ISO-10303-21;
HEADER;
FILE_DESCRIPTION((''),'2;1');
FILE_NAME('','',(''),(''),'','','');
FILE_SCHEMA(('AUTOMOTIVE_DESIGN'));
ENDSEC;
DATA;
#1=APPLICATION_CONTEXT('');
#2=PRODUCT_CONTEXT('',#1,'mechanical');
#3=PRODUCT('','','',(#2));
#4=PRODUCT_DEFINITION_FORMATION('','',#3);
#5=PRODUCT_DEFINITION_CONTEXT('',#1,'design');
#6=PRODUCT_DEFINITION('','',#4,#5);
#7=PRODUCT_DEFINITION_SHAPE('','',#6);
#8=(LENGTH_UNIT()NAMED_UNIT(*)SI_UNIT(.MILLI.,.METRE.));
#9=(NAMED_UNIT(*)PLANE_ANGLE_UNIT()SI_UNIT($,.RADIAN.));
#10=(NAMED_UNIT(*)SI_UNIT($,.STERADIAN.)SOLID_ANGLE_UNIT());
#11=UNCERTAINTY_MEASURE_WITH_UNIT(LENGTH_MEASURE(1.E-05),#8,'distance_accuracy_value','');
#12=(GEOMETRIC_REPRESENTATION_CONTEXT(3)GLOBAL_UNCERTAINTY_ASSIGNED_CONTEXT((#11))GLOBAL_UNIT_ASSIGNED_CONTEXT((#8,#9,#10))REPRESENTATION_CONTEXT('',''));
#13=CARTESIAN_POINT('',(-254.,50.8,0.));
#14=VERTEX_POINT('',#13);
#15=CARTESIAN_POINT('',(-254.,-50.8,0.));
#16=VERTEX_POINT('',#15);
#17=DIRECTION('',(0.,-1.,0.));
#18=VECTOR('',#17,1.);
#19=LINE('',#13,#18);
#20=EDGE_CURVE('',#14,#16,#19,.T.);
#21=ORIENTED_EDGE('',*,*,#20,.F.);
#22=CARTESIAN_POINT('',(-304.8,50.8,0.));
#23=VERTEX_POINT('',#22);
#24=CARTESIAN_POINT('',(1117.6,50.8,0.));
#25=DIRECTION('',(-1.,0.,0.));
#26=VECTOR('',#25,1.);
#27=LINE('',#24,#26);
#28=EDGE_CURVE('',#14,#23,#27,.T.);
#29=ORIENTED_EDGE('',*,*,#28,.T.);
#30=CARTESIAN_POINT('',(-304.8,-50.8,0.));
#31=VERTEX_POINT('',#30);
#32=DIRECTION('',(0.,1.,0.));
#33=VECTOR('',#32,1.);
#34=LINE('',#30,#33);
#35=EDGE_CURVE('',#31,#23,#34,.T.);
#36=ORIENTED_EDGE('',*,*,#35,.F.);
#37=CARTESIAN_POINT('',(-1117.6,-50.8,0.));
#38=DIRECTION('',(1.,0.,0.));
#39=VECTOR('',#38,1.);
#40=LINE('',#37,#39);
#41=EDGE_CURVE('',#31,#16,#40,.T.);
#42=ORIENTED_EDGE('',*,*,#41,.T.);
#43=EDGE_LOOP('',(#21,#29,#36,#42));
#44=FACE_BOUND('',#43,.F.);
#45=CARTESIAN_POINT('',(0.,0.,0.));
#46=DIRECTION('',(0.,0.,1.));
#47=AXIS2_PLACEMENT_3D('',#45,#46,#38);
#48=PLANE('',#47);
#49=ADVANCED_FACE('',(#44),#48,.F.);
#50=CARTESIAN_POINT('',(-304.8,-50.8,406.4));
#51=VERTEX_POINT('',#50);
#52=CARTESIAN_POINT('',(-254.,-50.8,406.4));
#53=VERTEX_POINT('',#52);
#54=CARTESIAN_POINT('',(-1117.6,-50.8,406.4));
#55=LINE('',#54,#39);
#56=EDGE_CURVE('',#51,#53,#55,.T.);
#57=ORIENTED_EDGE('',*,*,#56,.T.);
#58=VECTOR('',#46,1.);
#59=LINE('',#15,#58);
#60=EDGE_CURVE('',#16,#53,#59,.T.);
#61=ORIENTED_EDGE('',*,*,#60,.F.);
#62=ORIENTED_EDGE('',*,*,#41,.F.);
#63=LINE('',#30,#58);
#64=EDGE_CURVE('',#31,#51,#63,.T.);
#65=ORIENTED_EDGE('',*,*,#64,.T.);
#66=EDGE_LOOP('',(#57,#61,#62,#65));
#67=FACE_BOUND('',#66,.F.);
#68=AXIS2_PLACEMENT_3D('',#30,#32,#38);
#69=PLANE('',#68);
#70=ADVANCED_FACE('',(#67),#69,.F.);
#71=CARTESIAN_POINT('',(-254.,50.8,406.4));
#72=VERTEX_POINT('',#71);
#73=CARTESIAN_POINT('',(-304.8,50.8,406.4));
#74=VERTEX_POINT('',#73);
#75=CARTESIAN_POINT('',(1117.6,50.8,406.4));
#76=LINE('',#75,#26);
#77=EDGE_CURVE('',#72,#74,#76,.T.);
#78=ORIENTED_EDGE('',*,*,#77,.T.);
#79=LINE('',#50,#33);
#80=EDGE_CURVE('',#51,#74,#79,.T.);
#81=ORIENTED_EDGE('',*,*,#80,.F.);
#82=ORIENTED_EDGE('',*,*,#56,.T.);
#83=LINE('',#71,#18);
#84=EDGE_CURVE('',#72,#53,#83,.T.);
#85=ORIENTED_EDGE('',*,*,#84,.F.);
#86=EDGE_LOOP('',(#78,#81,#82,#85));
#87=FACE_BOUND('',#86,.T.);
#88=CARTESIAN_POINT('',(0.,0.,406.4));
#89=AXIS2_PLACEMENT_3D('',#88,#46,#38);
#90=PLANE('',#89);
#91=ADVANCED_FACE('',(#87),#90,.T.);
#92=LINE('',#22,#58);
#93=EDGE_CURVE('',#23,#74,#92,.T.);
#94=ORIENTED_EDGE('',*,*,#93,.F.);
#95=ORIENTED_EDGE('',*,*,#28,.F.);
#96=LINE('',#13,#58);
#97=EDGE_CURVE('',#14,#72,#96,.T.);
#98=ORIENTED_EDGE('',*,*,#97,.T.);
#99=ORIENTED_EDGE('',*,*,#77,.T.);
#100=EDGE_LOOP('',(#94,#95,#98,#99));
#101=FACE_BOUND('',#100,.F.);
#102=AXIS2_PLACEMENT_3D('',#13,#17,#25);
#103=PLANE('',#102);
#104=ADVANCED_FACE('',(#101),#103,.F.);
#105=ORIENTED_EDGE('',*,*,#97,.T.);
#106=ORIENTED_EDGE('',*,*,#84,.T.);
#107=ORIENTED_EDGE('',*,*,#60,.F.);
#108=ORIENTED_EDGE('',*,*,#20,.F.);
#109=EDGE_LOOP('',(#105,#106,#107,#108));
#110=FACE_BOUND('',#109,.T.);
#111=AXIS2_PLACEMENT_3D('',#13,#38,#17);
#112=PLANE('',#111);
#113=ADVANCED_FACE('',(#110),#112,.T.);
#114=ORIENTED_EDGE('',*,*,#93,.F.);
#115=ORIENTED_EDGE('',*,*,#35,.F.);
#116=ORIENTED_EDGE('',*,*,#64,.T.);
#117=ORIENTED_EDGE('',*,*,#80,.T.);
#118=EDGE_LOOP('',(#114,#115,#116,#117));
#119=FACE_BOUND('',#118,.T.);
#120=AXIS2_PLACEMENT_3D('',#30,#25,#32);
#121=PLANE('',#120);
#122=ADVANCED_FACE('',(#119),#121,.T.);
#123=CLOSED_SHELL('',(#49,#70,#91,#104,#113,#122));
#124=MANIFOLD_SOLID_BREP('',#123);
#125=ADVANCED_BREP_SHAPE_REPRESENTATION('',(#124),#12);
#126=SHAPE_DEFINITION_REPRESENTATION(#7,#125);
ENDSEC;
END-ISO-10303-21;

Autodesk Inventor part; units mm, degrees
ref_plane "YZ Plane" through (0, 0, 0) normal (1, 0, 0) x (0, 1, 0)
ref_plane "XZ Plane" through (0, 0, 0) normal (0, 1, 0) x (-1, 0, 0)
ref_plane "XY Plane" through (0, 0, 0) normal (0, 0, 1) x (1, 0, 0)
ref_plane "Work Plane1" through (0, 0, 0) normal (0, 0, 1) x (1, 0, 0)
sketch "Sketch1" plane through (0, 0, 0) normal (0, 0, 1) x (1, 0, 0)
  line L0 (-1117.6, -50.8) -> (1117.6, -50.8) projected
  line L1 (1117.6, 50.8) -> (-1117.6, 50.8) projected
  line L2 (-304.8, 50.8) -> (-254, 50.8)
  line L3 (-254, 50.8) -> (-254, -50.8)
  line L4 (-254, -50.8) -> (-304.8, -50.8)
  line L5 (-304.8, -50.8) -> (-304.8, 50.8)
  point P0 (0, 0)
  point P1 (-482.6, -152.4)
  dimension "d0" = 50.8
  dimension "d1" = 177.8
extrude "Extrusion1" add sketch "Sketch1" along normal blind 406.4
properties part number "2x4x16"
